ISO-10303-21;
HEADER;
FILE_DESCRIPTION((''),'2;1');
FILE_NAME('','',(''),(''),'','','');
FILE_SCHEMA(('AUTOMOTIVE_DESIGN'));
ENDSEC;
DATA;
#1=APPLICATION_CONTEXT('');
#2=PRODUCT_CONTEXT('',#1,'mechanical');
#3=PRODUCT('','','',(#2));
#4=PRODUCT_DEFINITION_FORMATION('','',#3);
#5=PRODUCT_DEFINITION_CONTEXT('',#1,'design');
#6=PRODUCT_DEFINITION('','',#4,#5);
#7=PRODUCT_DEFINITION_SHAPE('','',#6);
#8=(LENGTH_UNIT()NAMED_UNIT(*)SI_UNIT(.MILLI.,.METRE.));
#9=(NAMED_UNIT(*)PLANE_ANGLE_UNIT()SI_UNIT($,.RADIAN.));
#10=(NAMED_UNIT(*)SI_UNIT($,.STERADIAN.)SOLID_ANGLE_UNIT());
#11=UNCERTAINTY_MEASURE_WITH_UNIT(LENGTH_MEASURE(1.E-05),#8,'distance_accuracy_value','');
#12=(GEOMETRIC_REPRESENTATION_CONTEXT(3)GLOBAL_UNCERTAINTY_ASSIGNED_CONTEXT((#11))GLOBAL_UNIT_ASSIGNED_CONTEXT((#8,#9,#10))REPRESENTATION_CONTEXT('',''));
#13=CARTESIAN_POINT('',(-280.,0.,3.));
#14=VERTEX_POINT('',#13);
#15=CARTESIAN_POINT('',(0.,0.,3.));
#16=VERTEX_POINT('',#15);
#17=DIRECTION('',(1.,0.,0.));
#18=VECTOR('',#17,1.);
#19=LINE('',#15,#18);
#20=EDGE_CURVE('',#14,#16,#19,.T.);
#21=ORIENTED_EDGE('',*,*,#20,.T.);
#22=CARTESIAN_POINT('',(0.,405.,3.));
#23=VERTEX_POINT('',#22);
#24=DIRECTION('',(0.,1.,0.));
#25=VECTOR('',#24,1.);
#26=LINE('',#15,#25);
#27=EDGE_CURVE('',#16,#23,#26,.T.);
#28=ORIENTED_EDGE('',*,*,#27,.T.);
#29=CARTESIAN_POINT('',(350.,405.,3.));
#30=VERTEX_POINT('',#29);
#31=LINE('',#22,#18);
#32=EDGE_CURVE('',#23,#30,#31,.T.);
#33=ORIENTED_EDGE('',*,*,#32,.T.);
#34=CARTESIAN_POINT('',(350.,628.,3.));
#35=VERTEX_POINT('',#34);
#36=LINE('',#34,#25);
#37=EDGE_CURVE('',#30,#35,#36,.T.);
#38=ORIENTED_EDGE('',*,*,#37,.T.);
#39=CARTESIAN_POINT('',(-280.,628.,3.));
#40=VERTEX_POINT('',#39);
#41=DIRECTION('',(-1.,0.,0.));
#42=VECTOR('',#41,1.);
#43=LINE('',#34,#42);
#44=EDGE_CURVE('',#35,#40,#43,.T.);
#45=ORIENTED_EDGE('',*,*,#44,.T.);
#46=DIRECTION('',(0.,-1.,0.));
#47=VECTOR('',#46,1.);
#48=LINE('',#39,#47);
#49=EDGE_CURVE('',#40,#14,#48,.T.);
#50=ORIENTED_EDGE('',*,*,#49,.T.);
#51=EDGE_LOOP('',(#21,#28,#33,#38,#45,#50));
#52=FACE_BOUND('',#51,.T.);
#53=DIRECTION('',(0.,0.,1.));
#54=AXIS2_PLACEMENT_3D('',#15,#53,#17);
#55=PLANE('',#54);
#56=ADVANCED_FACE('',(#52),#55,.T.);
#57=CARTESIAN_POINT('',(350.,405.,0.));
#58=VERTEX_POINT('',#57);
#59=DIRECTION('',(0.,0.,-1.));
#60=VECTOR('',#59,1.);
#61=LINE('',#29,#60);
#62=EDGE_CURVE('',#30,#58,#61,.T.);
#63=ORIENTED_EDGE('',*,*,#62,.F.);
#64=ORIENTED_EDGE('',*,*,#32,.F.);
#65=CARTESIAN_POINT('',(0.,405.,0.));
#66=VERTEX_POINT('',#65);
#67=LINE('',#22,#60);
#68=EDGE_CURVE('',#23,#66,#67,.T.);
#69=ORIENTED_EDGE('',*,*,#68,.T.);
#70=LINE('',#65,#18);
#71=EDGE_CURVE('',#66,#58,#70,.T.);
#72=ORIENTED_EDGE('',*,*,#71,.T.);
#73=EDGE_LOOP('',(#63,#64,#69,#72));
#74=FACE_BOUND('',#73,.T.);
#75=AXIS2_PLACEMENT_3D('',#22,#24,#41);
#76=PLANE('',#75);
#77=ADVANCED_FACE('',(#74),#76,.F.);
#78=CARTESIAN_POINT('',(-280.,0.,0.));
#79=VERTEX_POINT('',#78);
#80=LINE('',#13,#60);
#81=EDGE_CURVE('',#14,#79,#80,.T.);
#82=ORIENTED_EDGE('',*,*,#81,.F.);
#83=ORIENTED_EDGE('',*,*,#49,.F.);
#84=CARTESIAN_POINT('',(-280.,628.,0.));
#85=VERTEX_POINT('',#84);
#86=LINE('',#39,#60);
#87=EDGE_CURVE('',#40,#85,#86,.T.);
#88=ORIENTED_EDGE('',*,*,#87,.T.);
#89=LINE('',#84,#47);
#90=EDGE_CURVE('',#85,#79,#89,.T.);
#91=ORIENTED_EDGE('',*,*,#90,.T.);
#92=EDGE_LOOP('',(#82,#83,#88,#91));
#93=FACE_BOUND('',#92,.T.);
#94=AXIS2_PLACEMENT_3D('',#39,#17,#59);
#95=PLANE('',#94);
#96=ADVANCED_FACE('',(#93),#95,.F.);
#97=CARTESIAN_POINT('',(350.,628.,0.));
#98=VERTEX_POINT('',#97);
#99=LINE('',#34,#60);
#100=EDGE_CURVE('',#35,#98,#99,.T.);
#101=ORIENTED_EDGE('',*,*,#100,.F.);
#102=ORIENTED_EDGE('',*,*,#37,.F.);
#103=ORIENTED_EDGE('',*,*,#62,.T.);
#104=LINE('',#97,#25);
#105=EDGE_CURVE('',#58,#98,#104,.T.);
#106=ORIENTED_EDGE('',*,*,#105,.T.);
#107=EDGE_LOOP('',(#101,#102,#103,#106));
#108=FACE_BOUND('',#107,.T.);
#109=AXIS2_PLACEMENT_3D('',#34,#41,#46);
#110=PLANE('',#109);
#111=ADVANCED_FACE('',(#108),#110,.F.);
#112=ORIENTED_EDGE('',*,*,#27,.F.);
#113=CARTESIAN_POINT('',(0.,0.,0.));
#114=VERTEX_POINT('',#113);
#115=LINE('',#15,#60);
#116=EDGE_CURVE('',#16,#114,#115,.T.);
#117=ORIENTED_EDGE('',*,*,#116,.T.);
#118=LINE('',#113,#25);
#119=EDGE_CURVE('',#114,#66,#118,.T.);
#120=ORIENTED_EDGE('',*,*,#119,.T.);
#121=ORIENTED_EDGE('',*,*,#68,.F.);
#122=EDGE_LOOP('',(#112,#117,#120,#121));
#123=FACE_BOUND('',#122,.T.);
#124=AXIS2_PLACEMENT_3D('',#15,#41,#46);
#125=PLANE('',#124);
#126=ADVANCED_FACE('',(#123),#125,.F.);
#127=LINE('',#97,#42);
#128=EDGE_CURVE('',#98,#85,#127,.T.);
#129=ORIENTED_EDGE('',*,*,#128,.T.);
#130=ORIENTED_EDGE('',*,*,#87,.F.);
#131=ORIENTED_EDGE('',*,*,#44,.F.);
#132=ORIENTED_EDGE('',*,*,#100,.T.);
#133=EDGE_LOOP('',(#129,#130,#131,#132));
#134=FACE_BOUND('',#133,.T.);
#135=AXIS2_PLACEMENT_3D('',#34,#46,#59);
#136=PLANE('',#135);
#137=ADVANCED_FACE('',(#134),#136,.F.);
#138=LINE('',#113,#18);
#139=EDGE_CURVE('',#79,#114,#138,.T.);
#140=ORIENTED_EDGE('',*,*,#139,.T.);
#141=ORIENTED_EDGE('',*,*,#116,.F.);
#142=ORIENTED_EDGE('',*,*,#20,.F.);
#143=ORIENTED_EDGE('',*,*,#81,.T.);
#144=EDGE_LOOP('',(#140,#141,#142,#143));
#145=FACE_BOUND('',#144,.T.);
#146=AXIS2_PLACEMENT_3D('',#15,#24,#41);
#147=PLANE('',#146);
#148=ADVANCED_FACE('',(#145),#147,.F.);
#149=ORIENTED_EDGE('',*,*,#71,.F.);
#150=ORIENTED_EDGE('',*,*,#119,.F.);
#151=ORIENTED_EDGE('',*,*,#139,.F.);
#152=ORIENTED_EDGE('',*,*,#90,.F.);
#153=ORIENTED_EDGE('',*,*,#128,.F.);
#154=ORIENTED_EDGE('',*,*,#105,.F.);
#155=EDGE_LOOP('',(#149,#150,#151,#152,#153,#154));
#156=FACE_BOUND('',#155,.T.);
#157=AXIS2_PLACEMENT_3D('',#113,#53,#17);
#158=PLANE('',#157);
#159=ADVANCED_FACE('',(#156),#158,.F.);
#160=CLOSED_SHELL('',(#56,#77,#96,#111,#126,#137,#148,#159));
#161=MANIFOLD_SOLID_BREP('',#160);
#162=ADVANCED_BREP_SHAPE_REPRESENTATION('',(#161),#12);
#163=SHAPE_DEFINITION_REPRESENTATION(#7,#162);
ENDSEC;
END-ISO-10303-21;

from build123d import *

# Parameters (mm, degrees)
BOSS_EXTRU_1_DEPTH = 3


with BuildPart() as part:
    # Esquisse1 → Boss.-Extru.1 (new body)
    with BuildSketch(Plane.XY):
        Polygon((350, 628), (-280, 628), (-280, 0), (0, 0), (0, 405), (350, 405), align=None)
    extrude(amount=BOSS_EXTRU_1_DEPTH)


solid = part.part
